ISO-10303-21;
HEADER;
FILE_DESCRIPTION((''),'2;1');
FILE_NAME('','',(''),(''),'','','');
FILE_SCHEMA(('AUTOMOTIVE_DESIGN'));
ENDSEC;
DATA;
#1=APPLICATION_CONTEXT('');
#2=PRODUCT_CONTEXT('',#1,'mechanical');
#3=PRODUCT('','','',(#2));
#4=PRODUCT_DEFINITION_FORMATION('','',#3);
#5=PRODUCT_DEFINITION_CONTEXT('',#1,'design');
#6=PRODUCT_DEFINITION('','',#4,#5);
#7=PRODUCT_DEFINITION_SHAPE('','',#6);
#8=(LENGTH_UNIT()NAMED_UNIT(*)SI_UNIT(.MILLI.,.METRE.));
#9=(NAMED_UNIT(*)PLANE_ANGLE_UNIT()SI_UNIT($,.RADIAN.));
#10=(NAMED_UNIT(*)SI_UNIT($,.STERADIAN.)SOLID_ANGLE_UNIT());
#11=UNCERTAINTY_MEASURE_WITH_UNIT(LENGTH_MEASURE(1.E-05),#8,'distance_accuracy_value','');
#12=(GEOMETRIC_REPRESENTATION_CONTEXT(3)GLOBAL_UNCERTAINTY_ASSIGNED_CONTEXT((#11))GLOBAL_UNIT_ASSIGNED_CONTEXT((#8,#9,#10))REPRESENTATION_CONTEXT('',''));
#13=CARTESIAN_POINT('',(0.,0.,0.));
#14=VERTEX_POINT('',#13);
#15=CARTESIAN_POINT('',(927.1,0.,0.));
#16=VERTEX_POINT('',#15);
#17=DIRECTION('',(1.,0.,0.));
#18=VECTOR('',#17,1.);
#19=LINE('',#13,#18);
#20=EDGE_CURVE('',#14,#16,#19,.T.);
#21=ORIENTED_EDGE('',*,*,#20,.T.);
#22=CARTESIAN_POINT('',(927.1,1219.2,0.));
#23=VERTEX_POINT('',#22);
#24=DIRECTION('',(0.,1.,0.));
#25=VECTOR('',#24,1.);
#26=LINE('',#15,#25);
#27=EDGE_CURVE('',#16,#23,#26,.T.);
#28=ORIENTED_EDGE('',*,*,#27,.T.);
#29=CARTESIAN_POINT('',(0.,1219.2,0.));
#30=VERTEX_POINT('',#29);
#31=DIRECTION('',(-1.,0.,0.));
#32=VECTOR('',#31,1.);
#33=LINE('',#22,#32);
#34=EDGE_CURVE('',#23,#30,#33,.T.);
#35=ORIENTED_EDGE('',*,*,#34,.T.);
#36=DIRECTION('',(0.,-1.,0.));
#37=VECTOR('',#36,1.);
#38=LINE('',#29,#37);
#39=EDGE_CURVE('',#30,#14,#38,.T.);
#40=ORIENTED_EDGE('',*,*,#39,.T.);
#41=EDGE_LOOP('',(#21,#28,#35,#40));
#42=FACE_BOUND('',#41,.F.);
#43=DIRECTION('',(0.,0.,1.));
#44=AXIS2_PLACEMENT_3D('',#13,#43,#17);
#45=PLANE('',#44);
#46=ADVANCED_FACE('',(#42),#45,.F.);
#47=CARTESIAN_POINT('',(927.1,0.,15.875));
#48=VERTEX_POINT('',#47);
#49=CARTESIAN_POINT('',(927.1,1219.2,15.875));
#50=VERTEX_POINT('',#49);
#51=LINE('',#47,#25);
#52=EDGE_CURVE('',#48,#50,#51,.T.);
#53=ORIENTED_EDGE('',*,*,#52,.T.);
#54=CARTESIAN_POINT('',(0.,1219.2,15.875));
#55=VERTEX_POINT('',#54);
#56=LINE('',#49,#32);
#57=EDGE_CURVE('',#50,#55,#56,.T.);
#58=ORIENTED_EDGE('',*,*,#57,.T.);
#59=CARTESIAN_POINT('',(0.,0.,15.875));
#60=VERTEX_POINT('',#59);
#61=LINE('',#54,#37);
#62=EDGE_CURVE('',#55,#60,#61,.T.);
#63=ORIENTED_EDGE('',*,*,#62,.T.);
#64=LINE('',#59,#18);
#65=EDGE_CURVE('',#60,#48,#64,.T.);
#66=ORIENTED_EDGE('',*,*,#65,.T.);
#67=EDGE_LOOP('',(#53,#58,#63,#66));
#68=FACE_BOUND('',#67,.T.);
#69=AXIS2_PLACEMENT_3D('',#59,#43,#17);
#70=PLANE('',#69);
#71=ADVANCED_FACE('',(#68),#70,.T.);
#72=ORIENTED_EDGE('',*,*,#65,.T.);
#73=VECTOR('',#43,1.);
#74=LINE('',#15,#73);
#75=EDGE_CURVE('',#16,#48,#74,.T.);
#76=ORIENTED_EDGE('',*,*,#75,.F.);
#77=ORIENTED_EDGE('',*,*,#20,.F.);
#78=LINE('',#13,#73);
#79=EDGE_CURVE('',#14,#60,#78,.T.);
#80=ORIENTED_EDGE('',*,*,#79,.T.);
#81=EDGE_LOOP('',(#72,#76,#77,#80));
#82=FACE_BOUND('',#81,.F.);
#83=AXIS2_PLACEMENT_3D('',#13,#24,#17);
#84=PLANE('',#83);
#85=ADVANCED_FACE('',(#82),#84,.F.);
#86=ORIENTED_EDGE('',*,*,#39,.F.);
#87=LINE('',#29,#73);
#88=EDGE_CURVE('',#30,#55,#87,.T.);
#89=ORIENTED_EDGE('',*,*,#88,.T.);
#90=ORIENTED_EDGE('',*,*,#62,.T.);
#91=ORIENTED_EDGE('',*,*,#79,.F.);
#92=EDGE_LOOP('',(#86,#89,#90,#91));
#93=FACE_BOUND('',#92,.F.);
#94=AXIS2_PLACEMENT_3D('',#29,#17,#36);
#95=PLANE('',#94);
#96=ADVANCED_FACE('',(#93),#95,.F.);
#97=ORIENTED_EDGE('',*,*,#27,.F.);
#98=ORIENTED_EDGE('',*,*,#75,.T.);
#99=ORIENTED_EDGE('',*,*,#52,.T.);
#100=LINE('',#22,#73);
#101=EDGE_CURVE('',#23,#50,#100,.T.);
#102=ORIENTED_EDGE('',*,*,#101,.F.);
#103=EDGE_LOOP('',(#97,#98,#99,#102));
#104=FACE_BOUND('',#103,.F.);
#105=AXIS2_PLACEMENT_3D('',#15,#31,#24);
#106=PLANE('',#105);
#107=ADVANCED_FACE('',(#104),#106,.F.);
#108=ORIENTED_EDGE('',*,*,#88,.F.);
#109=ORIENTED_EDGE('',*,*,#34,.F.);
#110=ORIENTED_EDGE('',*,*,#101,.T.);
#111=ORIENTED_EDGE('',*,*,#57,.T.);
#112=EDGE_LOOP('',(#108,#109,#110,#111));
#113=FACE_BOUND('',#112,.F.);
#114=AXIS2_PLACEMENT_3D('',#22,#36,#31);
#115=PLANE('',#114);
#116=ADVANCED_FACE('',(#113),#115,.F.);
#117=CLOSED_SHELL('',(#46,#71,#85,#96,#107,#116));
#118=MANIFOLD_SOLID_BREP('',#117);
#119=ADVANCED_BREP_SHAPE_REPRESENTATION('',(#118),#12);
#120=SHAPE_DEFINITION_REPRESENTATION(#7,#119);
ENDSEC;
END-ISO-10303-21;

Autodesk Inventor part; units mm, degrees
ref_plane "YZ Plane" through (0, 0, 0) normal (1, 0, 0) x (0, 1, 0)
ref_plane "XZ Plane" through (0, 0, 0) normal (0, 1, 0) x (-1, 0, 0)
ref_plane "XY Plane" through (0, 0, 0) normal (0, 0, 1) x (1, 0, 0)
sketch "Sketch1" plane through (0, 0, 0) normal (0, 0, 1) x (1, 0, 0)
  line L0 (0, 0) -> (927.1, 0)
  line L1 (927.1, 0) -> (927.1, 1219.2)
  line L2 (927.1, 1219.2) -> (0, 1219.2)
  line L3 (0, 1219.2) -> (0, 0)
  dimension "d2" = 1219.2
  dimension "d3" = 927.1
extrude "Extrusion1" add sketch "Sketch1" along normal blind 15.875
properties part number "DensGlass_With_Dimensions_48_x_48_Inches" material "Wood (Birch)"
